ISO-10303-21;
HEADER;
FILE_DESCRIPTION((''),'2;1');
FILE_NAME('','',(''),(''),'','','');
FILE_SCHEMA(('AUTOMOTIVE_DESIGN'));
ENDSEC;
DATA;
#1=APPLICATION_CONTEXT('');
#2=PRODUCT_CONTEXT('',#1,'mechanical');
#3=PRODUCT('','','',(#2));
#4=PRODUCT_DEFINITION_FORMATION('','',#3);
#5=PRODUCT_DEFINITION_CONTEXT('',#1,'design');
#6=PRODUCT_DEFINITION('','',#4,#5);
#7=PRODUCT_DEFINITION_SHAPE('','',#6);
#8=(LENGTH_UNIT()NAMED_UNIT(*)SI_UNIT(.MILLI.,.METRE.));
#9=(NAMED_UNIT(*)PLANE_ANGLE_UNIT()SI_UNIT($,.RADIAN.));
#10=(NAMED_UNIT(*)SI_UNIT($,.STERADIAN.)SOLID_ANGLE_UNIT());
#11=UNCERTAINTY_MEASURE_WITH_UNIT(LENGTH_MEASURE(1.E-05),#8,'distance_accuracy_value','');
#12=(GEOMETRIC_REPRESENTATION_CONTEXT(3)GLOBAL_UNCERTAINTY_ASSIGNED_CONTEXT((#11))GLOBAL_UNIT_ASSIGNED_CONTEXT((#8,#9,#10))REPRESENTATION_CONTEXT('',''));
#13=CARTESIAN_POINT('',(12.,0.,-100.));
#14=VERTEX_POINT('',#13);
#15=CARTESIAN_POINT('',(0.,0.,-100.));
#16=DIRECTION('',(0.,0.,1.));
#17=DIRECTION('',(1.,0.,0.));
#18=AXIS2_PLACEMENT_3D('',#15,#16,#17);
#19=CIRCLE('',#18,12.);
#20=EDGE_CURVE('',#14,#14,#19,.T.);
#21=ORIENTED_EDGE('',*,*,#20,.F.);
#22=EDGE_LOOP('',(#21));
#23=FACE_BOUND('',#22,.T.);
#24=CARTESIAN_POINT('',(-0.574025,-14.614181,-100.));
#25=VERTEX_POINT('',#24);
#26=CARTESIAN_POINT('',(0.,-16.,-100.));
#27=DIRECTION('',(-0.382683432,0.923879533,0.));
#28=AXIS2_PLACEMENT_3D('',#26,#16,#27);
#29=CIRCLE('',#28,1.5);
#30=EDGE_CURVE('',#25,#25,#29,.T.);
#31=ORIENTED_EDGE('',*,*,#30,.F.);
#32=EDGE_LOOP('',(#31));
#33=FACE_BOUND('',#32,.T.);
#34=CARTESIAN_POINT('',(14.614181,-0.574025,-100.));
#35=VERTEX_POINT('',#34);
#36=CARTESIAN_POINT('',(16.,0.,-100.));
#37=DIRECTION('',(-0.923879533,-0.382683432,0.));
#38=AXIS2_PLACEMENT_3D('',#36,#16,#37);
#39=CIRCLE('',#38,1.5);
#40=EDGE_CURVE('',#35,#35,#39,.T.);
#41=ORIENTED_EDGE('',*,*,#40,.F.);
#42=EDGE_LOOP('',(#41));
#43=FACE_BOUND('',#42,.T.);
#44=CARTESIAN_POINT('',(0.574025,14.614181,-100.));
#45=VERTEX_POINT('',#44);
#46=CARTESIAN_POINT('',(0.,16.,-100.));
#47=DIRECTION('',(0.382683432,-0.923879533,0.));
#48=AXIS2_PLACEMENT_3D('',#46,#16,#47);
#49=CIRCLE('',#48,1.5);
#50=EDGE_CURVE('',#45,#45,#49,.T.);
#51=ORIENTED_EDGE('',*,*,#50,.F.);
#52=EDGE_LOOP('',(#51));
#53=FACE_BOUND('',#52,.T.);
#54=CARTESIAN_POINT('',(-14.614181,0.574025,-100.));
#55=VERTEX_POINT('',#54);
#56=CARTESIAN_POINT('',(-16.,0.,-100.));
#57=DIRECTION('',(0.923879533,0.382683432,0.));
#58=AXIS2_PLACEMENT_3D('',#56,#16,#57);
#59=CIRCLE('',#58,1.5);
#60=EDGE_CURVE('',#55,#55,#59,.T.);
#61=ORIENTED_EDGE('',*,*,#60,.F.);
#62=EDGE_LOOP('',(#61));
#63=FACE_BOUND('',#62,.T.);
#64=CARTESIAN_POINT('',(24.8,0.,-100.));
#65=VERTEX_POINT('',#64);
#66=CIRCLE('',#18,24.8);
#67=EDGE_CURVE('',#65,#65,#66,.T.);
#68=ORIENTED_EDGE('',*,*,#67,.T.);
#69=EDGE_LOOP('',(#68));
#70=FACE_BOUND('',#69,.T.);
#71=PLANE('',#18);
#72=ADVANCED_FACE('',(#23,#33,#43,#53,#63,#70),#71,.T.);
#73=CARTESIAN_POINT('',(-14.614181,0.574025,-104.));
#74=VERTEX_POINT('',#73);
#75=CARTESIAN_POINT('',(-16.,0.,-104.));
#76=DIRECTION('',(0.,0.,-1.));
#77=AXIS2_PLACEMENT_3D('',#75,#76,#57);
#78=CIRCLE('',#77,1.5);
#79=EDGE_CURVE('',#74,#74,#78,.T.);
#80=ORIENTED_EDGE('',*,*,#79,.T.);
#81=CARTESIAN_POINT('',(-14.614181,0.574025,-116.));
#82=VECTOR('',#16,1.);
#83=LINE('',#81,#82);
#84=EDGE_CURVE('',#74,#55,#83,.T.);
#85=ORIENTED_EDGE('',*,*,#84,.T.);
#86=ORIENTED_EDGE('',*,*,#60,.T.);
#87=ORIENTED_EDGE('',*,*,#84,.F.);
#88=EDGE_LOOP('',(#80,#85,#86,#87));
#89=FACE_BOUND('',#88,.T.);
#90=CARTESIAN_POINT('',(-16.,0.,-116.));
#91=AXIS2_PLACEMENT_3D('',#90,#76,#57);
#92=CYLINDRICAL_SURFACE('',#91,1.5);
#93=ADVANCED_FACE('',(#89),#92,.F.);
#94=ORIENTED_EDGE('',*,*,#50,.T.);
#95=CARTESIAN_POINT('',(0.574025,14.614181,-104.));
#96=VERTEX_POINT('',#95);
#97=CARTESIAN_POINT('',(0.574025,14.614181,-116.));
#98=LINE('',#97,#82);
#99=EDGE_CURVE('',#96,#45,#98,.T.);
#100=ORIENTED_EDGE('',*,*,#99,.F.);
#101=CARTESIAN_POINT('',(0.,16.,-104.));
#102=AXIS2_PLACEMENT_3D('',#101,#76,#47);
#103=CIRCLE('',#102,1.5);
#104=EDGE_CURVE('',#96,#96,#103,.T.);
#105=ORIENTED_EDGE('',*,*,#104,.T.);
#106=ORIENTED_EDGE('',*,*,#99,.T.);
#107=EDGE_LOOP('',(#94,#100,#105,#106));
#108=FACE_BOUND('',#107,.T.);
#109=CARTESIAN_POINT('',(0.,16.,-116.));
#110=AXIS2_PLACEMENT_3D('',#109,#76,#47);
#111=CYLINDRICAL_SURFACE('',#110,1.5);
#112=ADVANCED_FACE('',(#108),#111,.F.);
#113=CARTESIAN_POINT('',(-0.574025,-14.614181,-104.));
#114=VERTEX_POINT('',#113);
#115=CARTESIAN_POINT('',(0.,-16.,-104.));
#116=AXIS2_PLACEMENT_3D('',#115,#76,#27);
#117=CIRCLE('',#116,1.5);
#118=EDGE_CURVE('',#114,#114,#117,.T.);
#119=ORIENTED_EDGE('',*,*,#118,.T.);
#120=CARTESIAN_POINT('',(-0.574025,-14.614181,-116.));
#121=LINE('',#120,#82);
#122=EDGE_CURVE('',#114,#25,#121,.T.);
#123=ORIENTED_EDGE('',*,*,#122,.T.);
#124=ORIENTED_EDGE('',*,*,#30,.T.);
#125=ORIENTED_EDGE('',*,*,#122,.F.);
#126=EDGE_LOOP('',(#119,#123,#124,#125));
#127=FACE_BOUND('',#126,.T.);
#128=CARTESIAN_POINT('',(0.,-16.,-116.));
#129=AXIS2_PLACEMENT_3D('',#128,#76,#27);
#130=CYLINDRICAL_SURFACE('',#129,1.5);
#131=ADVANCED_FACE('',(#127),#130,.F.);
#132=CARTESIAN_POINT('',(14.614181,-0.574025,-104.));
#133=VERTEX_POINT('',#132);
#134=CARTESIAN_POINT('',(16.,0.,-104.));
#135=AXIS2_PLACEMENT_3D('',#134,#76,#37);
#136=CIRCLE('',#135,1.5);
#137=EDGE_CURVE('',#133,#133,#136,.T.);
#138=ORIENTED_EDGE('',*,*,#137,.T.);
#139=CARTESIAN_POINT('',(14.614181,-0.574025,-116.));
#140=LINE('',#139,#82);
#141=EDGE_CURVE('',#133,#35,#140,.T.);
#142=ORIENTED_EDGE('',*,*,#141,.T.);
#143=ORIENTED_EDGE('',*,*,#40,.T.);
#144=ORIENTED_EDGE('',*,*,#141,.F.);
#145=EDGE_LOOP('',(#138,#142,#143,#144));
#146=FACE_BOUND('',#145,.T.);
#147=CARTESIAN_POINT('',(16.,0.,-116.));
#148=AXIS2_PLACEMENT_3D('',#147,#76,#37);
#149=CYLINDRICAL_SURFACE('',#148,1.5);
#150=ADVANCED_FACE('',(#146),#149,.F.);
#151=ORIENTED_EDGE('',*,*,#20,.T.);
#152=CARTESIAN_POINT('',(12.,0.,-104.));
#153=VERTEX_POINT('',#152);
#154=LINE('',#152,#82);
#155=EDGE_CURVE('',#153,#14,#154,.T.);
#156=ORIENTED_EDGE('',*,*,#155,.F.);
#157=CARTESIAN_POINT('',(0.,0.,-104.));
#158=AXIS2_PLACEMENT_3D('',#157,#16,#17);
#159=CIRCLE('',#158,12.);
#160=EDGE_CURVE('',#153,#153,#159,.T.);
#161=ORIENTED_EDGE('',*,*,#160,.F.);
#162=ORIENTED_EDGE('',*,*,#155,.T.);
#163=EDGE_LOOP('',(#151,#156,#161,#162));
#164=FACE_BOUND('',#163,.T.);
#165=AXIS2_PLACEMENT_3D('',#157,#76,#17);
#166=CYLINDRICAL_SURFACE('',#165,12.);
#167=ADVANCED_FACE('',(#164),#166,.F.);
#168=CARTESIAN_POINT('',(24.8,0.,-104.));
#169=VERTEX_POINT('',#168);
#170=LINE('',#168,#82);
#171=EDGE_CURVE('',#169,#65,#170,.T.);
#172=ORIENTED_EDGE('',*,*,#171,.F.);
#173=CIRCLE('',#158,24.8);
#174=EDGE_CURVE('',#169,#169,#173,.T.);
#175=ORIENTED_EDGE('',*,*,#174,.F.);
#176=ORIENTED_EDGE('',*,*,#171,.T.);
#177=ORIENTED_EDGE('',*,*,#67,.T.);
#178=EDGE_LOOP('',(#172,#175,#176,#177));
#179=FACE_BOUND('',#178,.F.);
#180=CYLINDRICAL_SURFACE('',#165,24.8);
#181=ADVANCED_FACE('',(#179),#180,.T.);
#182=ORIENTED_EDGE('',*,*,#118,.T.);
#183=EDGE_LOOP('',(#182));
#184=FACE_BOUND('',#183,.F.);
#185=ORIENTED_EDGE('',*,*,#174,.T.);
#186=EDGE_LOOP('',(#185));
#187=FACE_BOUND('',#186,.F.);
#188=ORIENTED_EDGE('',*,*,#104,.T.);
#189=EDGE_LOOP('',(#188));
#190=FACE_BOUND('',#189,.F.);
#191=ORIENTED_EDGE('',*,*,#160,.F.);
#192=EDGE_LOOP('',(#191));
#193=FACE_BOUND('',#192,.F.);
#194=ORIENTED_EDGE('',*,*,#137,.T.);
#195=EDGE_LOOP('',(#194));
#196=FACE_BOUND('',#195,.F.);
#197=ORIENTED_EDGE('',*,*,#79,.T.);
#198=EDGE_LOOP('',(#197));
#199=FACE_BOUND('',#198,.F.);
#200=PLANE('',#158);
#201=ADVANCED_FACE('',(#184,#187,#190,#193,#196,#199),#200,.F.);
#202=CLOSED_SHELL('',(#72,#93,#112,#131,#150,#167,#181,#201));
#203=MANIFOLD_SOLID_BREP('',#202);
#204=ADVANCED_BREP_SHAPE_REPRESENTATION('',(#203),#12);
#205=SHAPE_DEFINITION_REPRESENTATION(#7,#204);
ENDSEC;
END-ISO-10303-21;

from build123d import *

# Parameters (mm, degrees)
CYLINDER275_R               = 1.5
CYLINDER275_DEPTH           = 16
CYLINDER275_PLACEMENT_ANGLE = 67.5
CYLINDER273_R               = 1.5
CYLINDER273_DEPTH           = 16
CYLINDER273_PLACEMENT_ANGLE = 22.5
CYLINDER274_R               = 1.5
CYLINDER274_DEPTH           = 16
CYLINDER274_PLACEMENT_ANGLE = 112.5
CYLINDER272_R               = 1.5
CYLINDER272_DEPTH           = 16
CYLINDER272_PLACEMENT_ANGLE = 202.5
TUBE030_R                   = 24.8
TUBE030_R_2                 = 12
TUBE030_DEPTH               = 4


with BuildPart() as v_lec275:
    # Cylinder275 → Cylinder275 (new body)
    with BuildSketch(Plane.XY):
        Circle(CYLINDER275_R)
    extrude(amount=CYLINDER275_DEPTH)


with BuildPart() as v_lec275_1:
    # Cylinder275 placement: moved
    add(v_lec275.part.moved(Location((0, 16, 2))).rotate(Axis((0, 16, 2), (0, 0, -1)), CYLINDER275_PLACEMENT_ANGLE))


with BuildPart() as v_lec273:
    # Cylinder273 → Cylinder273 (new body)
    with BuildSketch(Plane.XY):
        Circle(CYLINDER273_R)
    extrude(amount=CYLINDER273_DEPTH)


with BuildPart() as v_lec273_1:
    # Cylinder273 placement: moved
    add(v_lec273.part.moved(Location((-16, 0, 2))).rotate(Axis((-16, 0, 2), (0, 0, 1)), CYLINDER273_PLACEMENT_ANGLE))


with BuildPart() as v_lec274:
    # Cylinder274 → Cylinder274 (new body)
    with BuildSketch(Plane.XY):
        Circle(CYLINDER274_R)
    extrude(amount=CYLINDER274_DEPTH)


with BuildPart() as v_lec274_1:
    # Cylinder274 placement: moved
    add(v_lec274.part.moved(Location((0, -16, 2))).rotate(Axis((0, -16, 2), (0, 0, 1)), CYLINDER274_PLACEMENT_ANGLE))


with BuildPart() as compound233:
    # Cylinder272 → Cylinder272 (new body)
    with BuildSketch(Plane.XY):
        Circle(CYLINDER272_R)
    extrude(amount=CYLINDER272_DEPTH)


with BuildPart() as compound233_1:
    # Cylinder272 placement: moved
    add(compound233.part.moved(Location((16, 0, 2))).rotate(Axis((16, 0, 2), (0, 0, 1)), CYLINDER272_PLACEMENT_ANGLE))

    # Compound233: union Válec275, Válec273, Válec274
    add(v_lec275_1.part)
    add(v_lec273_1.part)
    add(v_lec274_1.part)


with BuildPart() as compound233_2:
    # Compound233 placement: moved
    add(compound233_1.part.moved(Location((0, 0, -117))))


with BuildPart() as cut124:
    # Tube030 → Tube030 (new body)
    with BuildSketch(Plane.XY.offset(-103)):
        Circle(TUBE030_R)
        Circle(TUBE030_R_2, mode=Mode.SUBTRACT)
    extrude(amount=TUBE030_DEPTH)

    # Cut124: cut Compound233
    add(compound233_2.part, mode=Mode.SUBTRACT)


with BuildPart() as cut124_1:
    # Cut124 placement: moved
    add(cut124.part.moved(Location((0, 0, -1))))


solid = cut124_1.part
